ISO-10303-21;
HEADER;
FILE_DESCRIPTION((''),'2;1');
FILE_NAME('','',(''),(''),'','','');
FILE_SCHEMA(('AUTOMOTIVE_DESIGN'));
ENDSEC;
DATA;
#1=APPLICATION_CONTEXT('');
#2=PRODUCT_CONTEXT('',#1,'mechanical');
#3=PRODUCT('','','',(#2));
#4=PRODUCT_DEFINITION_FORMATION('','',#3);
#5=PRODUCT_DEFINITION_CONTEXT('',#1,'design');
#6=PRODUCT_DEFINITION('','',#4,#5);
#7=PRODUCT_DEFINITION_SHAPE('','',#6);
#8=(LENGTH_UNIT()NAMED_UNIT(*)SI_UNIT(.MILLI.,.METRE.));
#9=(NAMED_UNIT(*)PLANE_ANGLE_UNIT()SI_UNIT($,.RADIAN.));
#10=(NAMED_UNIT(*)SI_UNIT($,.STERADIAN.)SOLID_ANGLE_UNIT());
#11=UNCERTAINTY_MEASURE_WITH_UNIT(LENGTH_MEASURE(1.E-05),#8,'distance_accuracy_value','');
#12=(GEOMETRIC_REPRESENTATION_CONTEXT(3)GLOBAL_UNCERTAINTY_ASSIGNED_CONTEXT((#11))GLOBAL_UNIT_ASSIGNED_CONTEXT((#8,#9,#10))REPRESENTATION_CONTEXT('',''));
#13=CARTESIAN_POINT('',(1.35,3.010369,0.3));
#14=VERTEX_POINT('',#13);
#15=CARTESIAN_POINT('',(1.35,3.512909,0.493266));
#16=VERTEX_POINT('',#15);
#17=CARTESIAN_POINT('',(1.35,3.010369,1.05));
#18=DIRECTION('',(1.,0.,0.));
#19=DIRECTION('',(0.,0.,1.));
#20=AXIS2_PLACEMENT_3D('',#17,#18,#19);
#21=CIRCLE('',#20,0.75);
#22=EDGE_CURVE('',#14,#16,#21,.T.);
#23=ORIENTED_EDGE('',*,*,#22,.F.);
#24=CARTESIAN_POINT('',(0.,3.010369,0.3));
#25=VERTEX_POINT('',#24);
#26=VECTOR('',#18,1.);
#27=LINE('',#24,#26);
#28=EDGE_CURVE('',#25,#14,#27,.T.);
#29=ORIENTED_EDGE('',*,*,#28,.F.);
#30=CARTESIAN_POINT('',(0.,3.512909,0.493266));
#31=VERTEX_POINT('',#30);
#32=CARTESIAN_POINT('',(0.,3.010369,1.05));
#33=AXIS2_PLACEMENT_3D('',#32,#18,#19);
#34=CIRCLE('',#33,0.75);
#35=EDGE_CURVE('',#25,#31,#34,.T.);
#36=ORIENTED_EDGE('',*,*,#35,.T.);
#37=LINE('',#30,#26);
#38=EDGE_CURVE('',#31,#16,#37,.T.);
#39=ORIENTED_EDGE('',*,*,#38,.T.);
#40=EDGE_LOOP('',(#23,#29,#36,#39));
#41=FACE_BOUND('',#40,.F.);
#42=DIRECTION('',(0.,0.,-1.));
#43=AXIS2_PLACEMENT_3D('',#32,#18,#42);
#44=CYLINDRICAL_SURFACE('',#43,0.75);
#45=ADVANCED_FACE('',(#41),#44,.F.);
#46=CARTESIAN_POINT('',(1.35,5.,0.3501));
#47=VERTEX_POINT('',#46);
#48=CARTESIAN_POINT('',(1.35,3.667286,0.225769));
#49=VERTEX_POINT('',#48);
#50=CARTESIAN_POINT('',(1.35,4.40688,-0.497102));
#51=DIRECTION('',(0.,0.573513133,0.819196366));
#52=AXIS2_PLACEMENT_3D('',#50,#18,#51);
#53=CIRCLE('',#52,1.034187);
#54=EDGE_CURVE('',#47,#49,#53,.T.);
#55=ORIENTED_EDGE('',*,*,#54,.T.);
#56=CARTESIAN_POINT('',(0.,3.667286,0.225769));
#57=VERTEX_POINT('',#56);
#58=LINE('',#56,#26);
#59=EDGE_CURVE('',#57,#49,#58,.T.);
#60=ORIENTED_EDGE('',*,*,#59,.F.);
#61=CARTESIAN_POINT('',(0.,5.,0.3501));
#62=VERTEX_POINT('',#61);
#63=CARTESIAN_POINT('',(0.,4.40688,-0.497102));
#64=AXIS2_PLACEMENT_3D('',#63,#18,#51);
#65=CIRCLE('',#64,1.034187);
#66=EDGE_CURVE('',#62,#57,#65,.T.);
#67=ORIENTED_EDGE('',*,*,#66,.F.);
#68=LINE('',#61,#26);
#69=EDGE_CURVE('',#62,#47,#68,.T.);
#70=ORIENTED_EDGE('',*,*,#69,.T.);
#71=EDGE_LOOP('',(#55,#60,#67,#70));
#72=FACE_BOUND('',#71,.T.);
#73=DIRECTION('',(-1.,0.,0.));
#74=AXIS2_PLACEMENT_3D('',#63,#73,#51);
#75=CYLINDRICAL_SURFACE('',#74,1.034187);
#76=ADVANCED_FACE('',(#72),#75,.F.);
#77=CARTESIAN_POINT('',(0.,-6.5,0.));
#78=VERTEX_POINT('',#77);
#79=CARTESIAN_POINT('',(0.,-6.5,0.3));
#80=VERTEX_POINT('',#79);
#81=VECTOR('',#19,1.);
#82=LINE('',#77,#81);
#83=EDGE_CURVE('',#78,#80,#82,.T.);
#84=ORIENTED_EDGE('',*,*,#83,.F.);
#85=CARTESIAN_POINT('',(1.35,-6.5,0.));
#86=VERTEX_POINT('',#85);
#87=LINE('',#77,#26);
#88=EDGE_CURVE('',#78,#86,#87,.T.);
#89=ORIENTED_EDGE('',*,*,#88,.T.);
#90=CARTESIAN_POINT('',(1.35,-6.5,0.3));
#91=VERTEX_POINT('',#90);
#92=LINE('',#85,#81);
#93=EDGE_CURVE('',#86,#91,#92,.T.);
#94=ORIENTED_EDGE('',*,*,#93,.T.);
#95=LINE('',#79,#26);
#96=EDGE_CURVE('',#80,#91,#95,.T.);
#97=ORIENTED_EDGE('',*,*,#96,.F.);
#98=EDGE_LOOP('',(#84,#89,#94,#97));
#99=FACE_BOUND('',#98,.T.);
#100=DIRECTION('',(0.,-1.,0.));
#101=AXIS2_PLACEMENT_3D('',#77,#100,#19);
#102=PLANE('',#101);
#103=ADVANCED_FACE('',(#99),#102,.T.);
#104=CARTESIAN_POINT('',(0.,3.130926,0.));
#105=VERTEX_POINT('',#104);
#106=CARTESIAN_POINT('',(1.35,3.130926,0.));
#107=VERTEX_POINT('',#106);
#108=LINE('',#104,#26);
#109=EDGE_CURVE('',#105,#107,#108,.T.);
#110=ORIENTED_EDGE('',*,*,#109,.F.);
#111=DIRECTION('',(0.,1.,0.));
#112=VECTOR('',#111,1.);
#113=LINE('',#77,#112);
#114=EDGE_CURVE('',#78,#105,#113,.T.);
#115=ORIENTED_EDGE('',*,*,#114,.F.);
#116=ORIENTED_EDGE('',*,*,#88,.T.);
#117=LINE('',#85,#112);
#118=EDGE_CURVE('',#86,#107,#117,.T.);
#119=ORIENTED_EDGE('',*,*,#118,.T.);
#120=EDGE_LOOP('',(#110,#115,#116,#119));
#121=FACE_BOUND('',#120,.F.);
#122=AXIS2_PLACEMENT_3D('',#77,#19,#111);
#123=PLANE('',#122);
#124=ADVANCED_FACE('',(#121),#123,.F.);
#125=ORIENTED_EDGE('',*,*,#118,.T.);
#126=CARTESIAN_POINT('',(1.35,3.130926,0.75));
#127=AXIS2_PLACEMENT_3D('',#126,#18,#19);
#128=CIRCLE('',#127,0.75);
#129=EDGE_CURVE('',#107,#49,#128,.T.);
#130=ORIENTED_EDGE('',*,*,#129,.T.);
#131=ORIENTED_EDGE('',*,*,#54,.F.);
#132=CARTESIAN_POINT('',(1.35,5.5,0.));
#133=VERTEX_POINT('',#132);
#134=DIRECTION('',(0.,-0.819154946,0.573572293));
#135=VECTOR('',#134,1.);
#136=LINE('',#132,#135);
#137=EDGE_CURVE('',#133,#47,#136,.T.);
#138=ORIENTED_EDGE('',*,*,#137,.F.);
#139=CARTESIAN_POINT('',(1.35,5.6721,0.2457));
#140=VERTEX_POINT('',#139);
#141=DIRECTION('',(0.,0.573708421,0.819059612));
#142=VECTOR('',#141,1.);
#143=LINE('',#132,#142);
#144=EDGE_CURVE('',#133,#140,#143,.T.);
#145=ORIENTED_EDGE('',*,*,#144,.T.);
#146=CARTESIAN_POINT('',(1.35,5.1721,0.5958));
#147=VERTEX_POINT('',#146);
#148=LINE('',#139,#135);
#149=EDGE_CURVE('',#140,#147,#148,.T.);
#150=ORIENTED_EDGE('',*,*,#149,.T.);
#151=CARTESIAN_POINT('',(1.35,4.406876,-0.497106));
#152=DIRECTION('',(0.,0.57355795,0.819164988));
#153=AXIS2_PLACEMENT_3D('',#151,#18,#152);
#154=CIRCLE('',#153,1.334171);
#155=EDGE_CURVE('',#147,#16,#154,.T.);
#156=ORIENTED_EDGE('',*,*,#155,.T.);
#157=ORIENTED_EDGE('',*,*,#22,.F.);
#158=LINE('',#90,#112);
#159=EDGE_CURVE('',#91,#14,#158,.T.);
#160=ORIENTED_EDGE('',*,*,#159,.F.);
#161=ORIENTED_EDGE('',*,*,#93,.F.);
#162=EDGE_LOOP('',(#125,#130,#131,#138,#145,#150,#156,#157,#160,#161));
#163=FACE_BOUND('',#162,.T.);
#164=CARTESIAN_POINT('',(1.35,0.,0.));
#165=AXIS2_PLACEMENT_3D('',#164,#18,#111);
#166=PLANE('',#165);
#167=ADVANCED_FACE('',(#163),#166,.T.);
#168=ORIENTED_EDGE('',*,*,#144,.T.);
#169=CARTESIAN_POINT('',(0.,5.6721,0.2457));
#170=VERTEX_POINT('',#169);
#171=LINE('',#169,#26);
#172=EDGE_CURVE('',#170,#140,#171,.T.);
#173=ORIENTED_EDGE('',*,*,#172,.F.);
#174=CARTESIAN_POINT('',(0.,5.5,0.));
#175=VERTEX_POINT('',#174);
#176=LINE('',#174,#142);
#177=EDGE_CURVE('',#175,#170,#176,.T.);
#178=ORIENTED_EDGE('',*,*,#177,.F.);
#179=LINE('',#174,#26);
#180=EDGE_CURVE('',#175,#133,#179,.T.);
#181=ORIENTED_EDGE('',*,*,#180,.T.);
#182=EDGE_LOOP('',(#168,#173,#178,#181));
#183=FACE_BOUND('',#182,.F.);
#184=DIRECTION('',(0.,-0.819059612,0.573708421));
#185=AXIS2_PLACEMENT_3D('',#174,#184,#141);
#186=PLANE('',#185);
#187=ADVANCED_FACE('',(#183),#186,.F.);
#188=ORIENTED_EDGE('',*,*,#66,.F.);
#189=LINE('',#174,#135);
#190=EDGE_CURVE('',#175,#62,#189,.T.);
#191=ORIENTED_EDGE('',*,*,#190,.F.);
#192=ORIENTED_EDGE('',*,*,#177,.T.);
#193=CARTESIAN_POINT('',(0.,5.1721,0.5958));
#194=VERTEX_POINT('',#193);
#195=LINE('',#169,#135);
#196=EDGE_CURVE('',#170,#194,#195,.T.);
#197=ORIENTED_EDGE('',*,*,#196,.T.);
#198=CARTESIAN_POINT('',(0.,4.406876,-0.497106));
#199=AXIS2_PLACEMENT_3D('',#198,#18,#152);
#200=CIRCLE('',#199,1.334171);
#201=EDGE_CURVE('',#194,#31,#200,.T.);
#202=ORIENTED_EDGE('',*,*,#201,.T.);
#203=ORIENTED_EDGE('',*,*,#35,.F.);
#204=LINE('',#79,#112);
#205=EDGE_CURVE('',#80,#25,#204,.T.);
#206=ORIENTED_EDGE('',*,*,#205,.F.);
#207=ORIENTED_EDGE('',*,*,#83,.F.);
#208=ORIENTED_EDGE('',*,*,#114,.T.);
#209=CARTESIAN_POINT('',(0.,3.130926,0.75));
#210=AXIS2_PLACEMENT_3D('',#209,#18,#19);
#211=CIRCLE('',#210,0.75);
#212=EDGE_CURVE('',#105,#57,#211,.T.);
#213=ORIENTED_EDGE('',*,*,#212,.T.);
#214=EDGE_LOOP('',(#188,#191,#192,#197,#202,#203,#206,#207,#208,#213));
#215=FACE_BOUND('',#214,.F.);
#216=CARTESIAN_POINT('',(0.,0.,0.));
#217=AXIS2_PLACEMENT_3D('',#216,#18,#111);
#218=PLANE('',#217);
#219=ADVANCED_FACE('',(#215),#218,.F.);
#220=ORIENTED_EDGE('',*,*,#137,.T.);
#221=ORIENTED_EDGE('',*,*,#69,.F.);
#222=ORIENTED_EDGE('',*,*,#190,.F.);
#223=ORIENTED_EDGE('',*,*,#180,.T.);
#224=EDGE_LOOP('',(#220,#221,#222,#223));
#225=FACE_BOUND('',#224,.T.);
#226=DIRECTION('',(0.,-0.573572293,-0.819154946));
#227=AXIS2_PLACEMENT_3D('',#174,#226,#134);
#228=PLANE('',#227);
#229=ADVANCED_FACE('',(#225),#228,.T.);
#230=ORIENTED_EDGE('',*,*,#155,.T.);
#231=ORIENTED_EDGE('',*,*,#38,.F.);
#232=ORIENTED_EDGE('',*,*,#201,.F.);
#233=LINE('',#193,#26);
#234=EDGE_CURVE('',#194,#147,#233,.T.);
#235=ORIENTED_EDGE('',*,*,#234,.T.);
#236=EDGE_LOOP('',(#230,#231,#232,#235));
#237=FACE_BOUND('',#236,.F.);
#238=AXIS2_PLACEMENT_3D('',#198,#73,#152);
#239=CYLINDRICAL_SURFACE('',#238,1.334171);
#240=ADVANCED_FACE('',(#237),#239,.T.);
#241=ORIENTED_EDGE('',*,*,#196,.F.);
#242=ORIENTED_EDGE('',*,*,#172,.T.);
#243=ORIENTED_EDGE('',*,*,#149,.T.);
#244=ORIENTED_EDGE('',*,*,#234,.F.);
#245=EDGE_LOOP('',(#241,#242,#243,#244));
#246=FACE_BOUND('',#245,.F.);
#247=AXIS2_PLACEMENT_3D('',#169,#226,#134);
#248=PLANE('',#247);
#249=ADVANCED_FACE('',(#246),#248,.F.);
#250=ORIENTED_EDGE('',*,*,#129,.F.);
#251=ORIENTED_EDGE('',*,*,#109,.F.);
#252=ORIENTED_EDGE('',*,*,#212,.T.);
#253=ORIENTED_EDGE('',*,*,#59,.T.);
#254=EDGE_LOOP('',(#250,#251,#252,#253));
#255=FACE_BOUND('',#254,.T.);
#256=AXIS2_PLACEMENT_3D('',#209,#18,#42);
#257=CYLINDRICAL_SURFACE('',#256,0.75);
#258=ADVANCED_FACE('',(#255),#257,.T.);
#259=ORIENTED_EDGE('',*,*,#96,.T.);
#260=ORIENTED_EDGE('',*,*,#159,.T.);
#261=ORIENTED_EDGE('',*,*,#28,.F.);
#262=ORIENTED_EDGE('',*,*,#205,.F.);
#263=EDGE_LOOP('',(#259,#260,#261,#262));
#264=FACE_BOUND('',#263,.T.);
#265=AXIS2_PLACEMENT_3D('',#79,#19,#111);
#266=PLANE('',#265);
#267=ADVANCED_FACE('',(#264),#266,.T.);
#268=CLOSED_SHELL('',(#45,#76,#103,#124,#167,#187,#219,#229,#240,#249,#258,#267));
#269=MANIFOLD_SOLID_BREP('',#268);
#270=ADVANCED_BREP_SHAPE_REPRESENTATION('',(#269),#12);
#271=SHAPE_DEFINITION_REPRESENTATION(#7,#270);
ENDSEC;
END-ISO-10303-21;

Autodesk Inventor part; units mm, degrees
ref_plane "YZ Plane" through (0, 0, 0) normal (1, 0, 0) x (0, 1, 0)
ref_plane "XZ Plane" through (0, 0, 0) normal (0, 1, 0) x (-1, 0, 0)
ref_plane "XY Plane" through (0, 0, 0) normal (0, 0, 1) x (1, 0, 0)
sketch "Sketch1" plane through (0, 0, 0) normal (1, 0, 0) x (0, 1, 0)
  line L0 (-6.5, 0) -> (3.5, 0)
  line L1 (-6.5, 0) -> (-6.5, 0.3)
  line L2 (-6.5, 0.3) -> (3.337, 0.3)
  line L3 (5.5, 0) -> (5.6721, 0.2457)
  line L4 (5.6721, 0.2457) -> (5.1721, 0.5958)
  line L5 (5.5, 0) -> (5, 0.3501)
  arc A0 (5, 0.3501) -> (3.5, 0) centre (4.4069, -0.497) ccw
  arc A1 (5.1721, 0.5958) -> (3.337, 0.3) centre (4.4069, -0.497) ccw
  point P0 (0, 0)
  dimension "d0" = 0.3
  dimension "d3" = 6.5
  dimension "d4" = 10
  dimension "d5" = 35
  dimension "d6" = 2
  dimension "d7" = 0.3
  dimension "d8" = 1.5
extrude "Extrusion1" add sketch "Sketch1" along normal blind 1.35
fillet "Fillet1" radius 0.75 1 edges at (0.675, 3.337, 0.3)
fillet "Fillet2" radius 0.75 1 edges at (0.675, 3.5, 0)
equation "\"d7\" = d0"
properties material "Bronze, Soft Tin"
